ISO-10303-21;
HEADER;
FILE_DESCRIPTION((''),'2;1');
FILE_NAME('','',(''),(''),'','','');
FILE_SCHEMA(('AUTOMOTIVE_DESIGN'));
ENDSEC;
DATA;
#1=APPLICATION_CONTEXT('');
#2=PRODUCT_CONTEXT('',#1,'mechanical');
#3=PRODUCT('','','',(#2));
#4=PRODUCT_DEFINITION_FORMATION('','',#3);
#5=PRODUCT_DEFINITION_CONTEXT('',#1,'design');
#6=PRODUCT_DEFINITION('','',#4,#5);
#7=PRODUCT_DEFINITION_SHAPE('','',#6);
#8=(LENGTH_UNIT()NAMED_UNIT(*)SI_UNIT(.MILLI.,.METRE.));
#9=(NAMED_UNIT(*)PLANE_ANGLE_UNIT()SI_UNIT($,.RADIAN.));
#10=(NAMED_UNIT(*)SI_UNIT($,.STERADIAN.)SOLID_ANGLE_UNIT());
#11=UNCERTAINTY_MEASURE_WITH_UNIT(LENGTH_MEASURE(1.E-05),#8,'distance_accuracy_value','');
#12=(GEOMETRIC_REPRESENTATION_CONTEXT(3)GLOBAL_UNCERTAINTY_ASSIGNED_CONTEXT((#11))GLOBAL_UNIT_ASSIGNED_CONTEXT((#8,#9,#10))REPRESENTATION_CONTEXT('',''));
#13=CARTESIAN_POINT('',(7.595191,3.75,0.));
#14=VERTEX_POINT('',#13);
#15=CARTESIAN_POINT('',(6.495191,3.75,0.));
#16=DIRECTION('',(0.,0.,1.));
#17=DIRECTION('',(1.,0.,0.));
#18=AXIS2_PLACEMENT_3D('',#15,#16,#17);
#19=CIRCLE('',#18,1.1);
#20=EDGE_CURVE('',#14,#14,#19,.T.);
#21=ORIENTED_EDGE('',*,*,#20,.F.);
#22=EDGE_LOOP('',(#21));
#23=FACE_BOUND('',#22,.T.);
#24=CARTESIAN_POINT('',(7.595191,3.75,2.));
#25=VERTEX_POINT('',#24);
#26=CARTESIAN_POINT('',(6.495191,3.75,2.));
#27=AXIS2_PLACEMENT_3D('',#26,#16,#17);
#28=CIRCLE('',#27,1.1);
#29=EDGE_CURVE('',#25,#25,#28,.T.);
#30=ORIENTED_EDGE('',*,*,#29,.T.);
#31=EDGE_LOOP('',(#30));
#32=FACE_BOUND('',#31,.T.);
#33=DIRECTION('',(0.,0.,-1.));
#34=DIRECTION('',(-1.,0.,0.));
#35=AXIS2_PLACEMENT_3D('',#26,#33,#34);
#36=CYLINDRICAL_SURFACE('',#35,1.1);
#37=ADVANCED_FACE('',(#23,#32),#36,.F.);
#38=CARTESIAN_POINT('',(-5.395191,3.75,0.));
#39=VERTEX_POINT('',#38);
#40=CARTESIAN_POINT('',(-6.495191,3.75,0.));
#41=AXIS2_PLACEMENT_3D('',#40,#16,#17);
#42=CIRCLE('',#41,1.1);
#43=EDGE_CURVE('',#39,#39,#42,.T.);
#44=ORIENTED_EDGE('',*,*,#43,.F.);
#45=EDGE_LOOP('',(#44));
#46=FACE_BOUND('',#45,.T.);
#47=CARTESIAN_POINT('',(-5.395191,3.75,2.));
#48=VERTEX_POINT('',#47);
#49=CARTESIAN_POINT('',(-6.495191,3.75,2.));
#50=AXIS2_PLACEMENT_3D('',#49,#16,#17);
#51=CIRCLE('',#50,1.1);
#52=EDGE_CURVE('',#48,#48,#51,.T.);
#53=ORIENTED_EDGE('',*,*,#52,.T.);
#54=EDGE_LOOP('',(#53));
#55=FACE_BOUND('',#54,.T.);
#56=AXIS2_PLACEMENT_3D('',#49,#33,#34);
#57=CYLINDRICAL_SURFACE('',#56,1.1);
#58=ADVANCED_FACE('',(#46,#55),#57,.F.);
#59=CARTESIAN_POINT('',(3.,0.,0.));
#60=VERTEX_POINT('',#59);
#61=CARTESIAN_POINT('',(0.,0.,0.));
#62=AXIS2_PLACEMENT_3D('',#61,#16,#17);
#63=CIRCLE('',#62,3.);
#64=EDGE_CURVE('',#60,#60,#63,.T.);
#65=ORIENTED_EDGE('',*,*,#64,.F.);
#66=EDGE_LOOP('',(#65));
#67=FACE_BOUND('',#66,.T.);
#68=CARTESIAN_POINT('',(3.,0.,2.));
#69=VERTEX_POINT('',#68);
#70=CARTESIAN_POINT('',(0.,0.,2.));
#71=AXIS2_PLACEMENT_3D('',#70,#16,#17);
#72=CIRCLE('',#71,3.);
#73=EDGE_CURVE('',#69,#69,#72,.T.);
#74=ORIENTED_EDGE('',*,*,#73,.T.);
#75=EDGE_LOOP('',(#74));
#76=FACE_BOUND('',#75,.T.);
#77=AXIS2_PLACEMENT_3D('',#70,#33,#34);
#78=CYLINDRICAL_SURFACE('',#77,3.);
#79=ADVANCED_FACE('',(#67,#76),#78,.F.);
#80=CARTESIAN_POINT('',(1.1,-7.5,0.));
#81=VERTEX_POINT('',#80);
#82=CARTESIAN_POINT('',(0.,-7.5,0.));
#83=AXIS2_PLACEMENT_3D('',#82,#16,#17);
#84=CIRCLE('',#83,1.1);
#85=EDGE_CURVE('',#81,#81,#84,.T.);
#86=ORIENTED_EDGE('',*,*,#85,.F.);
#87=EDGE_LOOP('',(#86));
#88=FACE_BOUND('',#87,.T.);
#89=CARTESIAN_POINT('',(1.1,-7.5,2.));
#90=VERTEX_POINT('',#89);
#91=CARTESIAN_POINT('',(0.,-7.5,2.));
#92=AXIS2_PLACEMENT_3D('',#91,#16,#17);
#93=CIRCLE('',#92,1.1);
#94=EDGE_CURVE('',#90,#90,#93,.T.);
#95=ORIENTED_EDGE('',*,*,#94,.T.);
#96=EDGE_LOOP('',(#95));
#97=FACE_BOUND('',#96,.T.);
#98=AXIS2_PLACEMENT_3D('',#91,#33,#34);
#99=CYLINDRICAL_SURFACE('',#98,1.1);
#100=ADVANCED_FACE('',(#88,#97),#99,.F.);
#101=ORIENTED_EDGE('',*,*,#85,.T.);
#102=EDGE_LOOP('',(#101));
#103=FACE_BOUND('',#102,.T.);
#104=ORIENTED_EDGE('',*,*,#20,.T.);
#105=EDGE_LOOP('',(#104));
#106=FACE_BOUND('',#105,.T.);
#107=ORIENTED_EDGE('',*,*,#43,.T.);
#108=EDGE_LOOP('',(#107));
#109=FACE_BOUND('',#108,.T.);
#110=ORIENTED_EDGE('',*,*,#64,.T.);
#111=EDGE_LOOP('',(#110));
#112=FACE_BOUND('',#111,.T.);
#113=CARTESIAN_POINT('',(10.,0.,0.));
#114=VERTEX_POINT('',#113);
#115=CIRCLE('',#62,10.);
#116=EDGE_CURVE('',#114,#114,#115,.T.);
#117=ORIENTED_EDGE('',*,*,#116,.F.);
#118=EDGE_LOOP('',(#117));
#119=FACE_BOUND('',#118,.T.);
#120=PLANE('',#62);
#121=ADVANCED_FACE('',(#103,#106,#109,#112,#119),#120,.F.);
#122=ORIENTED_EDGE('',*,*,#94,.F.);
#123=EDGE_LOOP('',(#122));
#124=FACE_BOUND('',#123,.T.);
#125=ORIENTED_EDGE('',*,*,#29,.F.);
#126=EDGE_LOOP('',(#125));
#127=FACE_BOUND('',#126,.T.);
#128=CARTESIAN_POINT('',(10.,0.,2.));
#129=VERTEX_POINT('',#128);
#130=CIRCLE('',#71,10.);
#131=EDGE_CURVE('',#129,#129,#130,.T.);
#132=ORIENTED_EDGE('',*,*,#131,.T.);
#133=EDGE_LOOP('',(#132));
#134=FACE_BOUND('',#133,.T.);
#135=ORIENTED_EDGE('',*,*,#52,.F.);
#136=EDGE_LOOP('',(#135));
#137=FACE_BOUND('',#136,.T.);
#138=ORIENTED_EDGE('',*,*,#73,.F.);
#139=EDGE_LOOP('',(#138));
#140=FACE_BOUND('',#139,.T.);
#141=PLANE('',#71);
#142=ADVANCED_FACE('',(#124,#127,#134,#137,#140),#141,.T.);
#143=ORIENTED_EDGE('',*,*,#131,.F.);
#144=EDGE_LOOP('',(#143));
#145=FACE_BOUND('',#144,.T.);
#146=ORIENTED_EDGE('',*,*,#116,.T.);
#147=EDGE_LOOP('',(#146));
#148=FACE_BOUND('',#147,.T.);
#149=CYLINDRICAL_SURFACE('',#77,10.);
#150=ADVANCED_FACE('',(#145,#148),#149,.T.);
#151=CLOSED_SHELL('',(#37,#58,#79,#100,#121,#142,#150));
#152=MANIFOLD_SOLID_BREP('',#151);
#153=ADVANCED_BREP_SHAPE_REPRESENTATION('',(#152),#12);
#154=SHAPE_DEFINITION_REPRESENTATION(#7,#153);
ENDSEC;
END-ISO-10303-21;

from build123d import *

# Parameters (mm, degrees)
SKETCH_1_R      = 10
SKETCH_1_R_2    = 3
SKETCH_1_R_3    = 1.1
EXTRUDE_1_DEPTH = 2


with BuildPart() as part:
    # 草图1 → 凸台-拉伸1 (new body)
    with BuildSketch(Plane.XY):
        Circle(SKETCH_1_R)
        Circle(SKETCH_1_R_2, mode=Mode.SUBTRACT)
        with Locations((0, -7.5)):
            Circle(SKETCH_1_R_3, mode=Mode.SUBTRACT)
        with Locations((-6.495190528, 3.75)):
            Circle(SKETCH_1_R_3, mode=Mode.SUBTRACT)
        with Locations((6.495190528, 3.75)):
            Circle(SKETCH_1_R_3, mode=Mode.SUBTRACT)
    extrude(amount=EXTRUDE_1_DEPTH)


solid = part.part
